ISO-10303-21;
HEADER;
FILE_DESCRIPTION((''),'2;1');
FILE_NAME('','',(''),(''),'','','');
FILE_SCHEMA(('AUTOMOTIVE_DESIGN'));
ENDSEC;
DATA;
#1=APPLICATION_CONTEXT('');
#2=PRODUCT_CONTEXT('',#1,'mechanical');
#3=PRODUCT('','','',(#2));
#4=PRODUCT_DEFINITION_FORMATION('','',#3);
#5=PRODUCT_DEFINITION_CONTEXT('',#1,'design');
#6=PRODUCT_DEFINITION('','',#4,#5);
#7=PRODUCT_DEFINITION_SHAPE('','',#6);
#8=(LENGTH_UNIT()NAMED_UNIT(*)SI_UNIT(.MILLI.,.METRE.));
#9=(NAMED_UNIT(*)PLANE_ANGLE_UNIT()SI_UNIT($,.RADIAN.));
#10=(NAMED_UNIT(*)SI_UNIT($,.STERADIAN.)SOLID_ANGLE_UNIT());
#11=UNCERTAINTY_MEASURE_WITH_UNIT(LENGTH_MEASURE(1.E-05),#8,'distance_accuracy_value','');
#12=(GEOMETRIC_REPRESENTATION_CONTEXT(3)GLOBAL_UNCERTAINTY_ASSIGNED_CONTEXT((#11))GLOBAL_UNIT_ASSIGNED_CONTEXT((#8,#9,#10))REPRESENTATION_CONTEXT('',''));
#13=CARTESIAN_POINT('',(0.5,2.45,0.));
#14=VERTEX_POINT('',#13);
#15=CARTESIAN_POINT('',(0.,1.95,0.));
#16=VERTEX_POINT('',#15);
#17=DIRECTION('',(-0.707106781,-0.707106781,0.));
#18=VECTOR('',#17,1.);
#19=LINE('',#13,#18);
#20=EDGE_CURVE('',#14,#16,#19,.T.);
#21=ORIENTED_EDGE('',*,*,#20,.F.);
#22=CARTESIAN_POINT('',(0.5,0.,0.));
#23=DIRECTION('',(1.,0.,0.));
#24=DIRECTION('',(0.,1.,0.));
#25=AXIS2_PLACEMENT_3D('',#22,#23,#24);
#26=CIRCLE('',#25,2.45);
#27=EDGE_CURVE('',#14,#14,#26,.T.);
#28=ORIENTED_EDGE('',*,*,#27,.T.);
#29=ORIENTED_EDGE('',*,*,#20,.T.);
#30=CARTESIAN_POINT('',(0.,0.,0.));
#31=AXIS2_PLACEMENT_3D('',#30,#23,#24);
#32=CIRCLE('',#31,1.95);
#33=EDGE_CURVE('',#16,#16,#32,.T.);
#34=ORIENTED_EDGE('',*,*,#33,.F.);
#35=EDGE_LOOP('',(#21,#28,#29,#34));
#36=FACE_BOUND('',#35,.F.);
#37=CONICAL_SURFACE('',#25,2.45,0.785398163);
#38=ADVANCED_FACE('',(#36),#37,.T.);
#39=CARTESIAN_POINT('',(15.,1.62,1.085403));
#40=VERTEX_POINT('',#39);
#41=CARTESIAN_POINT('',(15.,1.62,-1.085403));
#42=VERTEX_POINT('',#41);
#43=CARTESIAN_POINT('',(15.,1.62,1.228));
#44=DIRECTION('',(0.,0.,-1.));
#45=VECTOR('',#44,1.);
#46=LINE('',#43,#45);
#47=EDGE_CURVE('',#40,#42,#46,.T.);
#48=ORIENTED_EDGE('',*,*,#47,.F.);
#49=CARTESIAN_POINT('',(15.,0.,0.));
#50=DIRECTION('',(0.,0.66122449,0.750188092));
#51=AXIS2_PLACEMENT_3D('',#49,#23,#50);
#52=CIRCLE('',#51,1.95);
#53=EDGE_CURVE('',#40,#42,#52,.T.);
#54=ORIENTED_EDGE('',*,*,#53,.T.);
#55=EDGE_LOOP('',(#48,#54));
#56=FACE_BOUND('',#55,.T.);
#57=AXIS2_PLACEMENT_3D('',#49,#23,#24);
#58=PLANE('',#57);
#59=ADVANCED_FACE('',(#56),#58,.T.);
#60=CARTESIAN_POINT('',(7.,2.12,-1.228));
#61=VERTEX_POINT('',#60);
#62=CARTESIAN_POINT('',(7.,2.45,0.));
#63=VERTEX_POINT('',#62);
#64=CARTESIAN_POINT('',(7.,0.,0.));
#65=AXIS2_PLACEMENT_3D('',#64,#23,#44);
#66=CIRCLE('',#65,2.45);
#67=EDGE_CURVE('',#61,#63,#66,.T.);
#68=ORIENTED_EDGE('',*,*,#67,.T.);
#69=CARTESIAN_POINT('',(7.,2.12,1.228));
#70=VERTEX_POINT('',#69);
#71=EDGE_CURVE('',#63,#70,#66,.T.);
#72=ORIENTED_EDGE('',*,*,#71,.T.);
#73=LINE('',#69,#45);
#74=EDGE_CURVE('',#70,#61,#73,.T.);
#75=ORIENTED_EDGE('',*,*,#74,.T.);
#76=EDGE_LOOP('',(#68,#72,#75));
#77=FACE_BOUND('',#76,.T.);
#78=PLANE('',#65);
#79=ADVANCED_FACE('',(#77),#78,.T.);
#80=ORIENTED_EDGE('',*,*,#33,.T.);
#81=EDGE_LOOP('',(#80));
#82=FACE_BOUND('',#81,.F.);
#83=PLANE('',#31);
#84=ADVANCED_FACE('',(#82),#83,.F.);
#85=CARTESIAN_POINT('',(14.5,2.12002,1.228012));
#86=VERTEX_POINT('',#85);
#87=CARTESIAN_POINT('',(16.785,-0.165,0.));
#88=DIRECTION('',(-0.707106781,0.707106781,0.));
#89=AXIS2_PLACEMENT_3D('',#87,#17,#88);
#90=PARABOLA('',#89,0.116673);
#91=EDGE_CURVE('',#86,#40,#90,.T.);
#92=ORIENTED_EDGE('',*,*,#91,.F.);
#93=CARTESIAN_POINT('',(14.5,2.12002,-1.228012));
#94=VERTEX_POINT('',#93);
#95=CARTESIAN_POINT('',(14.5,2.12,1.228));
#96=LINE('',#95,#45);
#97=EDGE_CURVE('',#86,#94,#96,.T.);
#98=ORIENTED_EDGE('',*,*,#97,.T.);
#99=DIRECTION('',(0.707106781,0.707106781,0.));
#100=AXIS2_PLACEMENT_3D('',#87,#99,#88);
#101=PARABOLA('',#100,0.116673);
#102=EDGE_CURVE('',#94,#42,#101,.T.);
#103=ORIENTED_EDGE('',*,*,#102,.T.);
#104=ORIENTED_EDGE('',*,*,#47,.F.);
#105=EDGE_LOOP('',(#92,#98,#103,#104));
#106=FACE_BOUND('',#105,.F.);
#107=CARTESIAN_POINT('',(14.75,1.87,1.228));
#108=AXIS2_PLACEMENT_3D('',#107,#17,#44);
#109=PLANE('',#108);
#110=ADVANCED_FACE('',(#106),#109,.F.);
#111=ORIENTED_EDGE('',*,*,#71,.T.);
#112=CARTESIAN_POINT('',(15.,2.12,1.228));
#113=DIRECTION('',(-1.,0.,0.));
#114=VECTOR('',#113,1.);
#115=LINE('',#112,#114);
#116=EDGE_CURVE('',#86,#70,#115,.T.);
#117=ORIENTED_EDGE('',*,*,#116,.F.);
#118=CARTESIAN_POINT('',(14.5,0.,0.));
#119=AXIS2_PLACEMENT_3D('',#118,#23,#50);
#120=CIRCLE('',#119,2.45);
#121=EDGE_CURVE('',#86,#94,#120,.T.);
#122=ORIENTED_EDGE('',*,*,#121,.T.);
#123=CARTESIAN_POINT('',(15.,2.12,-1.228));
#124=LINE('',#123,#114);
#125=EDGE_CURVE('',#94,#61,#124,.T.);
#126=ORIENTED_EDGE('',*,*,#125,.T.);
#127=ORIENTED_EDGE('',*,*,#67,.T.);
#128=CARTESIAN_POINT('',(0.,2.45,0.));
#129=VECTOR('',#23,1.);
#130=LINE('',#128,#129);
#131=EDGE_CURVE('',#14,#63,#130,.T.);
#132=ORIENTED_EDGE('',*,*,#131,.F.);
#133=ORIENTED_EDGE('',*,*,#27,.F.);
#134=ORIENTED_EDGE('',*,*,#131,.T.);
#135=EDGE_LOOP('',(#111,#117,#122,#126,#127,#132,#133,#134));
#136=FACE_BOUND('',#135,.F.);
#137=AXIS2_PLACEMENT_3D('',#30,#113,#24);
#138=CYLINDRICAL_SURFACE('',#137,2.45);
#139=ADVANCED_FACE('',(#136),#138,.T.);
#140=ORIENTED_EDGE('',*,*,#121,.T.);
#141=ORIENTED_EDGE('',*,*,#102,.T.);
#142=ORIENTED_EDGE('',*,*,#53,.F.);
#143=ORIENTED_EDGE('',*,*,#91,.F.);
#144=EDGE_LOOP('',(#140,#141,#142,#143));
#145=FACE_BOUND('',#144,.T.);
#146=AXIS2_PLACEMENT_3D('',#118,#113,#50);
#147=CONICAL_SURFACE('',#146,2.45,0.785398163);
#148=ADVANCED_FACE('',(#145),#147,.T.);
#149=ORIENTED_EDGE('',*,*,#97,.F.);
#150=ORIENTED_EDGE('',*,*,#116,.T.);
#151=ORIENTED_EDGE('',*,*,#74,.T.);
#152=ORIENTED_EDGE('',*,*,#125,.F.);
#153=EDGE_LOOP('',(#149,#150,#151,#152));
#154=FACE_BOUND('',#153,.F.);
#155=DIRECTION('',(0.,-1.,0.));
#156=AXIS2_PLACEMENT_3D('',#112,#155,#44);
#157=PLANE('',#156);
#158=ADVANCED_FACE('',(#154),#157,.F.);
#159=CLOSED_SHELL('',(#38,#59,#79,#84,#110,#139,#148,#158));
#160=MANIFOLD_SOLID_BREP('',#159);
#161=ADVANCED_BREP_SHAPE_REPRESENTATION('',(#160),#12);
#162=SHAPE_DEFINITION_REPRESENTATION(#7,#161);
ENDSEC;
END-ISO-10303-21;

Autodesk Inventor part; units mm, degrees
ref_plane "YZ Plane" through (0, 0, 0) normal (1, 0, 0) x (0, 1, 0)
ref_plane "XZ Plane" through (0, 0, 0) normal (0, 1, 0) x (-1, 0, 0)
ref_plane "XY Plane" through (0, 0, 0) normal (0, 0, 1) x (1, 0, 0)
sketch "Sketch1" plane through (0, 0, 0) normal (1, 0, 0) x (0, 1, 0)
  circle A0 centre (0, 0) radius 2.45
  dimension "d0" = 4.9
extrude "Extrusion1" add sketch "Sketch1" along normal blind 15
sketch "Sketch2" plane through (15, 0, 0) normal (1, 0, 0) x (0, 0, -1)
  circle A0 centre (0, 0) radius 2.45 projected
  line L0 (-1.228, 2.12) -> (1.228, 2.12)
  dimension "d6" = 0.33
extrude "Extrusion2" cut sketch "Sketch2" against normal blind 8 contours L0 A0 picked at (-0.0856, 2.2255)
chamfer "Chamfer1" distance 0.5 angle 45 3 edges at (15, -2.45, 0) (0, -2.45, 0) (15, 2.12, 0)
properties part number "parrallelShaftPin"
